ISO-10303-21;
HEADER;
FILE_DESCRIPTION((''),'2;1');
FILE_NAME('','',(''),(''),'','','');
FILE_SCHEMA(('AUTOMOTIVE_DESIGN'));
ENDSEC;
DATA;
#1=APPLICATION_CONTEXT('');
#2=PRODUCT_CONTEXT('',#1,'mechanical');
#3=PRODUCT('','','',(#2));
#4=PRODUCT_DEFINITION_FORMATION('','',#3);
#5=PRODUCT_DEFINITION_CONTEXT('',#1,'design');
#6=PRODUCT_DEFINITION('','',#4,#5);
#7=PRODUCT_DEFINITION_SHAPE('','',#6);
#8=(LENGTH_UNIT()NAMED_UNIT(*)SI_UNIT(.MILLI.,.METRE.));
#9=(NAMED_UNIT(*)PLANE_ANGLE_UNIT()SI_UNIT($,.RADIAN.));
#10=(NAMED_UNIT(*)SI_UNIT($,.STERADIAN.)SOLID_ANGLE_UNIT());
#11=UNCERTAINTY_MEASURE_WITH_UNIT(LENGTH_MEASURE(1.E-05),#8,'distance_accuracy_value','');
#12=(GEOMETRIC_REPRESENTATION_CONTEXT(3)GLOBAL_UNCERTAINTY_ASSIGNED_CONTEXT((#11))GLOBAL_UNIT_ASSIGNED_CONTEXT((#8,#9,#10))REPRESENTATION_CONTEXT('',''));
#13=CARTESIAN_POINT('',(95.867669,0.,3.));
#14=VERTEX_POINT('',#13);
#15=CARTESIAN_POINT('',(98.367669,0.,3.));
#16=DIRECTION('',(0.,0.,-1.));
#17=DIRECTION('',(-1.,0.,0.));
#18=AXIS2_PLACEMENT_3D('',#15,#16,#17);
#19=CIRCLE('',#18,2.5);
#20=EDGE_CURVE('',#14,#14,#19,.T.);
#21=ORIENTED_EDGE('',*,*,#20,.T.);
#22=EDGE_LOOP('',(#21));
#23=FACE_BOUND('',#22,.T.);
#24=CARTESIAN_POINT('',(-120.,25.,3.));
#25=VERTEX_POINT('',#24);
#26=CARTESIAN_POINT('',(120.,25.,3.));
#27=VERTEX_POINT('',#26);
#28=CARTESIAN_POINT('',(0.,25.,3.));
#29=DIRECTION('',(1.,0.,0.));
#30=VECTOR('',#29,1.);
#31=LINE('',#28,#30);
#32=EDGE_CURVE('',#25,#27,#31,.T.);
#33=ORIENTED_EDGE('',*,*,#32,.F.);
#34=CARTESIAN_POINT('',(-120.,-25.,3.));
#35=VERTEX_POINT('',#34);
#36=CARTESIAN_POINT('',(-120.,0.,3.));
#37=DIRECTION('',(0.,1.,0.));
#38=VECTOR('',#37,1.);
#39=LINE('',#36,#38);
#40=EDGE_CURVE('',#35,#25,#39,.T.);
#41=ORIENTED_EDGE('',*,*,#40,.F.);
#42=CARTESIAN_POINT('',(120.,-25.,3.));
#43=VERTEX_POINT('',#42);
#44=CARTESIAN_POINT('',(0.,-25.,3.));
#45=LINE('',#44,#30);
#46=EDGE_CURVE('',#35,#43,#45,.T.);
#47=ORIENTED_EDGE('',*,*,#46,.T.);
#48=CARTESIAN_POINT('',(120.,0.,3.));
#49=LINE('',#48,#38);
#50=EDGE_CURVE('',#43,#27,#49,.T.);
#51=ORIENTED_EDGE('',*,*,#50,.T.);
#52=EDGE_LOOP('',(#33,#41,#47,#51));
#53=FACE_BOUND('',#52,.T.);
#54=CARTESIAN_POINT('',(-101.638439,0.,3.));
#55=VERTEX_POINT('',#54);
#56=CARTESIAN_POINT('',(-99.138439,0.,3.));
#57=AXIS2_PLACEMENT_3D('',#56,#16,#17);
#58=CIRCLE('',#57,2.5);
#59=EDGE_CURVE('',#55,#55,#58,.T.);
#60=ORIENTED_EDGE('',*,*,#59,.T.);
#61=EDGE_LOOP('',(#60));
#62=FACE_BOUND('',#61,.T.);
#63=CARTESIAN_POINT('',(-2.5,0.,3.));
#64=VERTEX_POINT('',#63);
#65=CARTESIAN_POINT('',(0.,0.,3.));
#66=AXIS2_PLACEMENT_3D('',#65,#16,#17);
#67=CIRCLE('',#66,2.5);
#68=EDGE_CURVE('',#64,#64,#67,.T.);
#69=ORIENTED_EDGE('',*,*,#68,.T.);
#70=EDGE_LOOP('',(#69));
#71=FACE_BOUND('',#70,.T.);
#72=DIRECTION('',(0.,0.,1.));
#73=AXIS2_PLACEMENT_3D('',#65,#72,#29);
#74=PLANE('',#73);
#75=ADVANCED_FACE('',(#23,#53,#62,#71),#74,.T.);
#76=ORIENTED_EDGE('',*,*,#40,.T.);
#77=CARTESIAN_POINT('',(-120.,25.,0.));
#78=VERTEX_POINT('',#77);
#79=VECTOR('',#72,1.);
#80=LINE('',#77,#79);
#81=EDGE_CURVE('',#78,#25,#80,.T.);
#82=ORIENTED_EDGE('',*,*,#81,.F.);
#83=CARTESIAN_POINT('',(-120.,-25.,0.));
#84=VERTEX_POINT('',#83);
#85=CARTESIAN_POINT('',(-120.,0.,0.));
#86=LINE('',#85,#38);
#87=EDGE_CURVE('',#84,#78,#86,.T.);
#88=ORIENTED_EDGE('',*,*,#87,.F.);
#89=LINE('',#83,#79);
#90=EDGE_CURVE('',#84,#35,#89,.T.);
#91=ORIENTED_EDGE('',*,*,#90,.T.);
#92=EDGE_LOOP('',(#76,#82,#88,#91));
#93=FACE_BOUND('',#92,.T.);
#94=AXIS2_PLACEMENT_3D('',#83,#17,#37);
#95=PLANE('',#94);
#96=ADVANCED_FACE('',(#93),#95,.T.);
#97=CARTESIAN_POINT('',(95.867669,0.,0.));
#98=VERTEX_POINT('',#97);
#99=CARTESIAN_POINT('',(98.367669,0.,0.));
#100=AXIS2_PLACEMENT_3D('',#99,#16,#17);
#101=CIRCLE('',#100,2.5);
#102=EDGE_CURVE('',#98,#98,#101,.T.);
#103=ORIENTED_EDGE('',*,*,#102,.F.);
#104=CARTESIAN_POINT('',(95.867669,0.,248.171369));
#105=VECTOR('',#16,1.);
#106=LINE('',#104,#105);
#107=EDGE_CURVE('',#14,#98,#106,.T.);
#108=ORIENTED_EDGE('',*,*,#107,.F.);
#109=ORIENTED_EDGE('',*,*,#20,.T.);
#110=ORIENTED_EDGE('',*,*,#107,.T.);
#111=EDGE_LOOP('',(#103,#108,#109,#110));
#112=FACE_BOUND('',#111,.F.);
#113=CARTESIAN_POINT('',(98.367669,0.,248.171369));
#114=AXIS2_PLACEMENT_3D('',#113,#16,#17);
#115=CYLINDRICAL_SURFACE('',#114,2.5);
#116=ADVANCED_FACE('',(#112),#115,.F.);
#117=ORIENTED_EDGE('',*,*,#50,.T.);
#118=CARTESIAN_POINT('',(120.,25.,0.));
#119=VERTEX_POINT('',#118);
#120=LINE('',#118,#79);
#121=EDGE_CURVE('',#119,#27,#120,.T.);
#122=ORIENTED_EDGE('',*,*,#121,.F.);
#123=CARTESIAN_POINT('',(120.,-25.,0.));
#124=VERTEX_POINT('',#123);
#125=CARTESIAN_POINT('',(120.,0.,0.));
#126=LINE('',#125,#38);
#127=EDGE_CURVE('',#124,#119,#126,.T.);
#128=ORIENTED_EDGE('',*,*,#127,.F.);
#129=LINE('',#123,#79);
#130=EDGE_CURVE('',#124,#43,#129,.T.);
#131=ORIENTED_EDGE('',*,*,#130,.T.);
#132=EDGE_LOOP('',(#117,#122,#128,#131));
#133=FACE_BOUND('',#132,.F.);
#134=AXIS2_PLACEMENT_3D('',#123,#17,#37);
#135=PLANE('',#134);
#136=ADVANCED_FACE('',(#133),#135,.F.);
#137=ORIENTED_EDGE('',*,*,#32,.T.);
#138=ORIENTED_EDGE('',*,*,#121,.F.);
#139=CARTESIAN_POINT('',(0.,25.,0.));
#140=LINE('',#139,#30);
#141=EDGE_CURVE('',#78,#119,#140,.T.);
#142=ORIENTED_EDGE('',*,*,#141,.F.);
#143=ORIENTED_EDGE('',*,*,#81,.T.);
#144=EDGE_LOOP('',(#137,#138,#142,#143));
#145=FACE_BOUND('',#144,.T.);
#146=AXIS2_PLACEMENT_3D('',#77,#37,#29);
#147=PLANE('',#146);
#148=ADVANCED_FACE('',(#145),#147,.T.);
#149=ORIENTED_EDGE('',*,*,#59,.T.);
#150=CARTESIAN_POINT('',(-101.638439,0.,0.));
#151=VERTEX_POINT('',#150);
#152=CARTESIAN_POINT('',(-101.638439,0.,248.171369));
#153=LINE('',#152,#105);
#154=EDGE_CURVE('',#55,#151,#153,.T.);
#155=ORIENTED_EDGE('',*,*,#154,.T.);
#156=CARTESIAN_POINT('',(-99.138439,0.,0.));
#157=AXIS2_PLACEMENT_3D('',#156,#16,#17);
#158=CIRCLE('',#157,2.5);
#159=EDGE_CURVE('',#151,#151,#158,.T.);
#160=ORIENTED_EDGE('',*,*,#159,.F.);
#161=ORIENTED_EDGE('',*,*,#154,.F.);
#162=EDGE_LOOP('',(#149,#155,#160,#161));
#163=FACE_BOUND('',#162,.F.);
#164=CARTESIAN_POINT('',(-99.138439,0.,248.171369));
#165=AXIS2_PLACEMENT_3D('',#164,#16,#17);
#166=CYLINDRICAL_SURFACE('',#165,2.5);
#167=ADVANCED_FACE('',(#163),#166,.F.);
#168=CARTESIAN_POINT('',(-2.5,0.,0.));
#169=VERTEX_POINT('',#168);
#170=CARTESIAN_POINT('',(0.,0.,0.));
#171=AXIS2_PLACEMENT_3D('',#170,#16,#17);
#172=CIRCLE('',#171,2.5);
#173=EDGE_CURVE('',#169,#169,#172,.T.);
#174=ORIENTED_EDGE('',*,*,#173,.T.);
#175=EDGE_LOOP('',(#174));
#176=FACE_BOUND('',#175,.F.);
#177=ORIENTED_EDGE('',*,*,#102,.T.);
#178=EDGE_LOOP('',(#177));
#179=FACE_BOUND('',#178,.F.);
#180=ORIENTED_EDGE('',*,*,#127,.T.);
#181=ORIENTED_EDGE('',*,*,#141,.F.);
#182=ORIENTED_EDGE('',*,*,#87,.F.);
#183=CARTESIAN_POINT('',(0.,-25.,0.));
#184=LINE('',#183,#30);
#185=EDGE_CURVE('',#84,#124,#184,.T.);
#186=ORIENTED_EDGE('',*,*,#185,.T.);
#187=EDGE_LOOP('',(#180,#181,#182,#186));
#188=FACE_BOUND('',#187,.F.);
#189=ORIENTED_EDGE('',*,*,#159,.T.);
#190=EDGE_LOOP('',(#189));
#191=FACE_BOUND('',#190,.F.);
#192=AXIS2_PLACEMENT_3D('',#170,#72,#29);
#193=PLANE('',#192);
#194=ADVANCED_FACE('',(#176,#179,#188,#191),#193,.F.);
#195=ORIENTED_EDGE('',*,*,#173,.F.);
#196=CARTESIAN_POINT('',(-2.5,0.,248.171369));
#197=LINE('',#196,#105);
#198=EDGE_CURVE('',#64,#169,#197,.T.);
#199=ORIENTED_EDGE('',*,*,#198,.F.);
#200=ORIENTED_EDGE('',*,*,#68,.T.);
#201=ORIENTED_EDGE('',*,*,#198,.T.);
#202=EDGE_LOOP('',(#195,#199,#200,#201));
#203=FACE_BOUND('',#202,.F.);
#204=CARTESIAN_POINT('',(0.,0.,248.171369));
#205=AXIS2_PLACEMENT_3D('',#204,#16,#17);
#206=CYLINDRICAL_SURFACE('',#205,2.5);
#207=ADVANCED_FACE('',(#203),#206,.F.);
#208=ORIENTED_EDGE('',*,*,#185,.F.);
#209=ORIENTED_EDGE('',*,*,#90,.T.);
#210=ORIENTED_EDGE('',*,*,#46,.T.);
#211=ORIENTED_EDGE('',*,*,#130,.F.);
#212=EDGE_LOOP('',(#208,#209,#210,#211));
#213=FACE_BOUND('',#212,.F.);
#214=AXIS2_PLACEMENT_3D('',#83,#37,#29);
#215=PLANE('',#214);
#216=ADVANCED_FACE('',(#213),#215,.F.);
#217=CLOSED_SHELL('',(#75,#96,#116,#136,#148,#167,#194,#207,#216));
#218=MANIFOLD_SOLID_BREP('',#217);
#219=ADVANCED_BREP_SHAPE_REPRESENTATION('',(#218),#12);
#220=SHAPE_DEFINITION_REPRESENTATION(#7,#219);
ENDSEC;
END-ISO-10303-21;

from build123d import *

# Parameters (mm, degrees)
F0_W     = 240
F0_H     = 50
F1_DEPTH = 3
F4_D     = 5
F5_D     = 5
F7_D     = 5


with BuildPart() as f1:
    # F0 (on Top) → F1 (new body)
    with BuildSketch(Plane.XY):
        Rectangle(F0_W, F0_H)
    extrude(amount=F1_DEPTH)

    # F4 (through all)
    with Locations(Plane.XY.offset(3)):
        with Locations((-99.138439, 0)):
            Hole(F4_D / 2)

    # F5 (through all)
    with Locations(Plane.XY.offset(3)):
        with Locations((0, 0)):
            Hole(F5_D / 2)

    # F7 (through all)
    with Locations(Plane.XY.offset(3)):
        with Locations((98.367669, 0)):
            Hole(F7_D / 2)


solid = f1.part
